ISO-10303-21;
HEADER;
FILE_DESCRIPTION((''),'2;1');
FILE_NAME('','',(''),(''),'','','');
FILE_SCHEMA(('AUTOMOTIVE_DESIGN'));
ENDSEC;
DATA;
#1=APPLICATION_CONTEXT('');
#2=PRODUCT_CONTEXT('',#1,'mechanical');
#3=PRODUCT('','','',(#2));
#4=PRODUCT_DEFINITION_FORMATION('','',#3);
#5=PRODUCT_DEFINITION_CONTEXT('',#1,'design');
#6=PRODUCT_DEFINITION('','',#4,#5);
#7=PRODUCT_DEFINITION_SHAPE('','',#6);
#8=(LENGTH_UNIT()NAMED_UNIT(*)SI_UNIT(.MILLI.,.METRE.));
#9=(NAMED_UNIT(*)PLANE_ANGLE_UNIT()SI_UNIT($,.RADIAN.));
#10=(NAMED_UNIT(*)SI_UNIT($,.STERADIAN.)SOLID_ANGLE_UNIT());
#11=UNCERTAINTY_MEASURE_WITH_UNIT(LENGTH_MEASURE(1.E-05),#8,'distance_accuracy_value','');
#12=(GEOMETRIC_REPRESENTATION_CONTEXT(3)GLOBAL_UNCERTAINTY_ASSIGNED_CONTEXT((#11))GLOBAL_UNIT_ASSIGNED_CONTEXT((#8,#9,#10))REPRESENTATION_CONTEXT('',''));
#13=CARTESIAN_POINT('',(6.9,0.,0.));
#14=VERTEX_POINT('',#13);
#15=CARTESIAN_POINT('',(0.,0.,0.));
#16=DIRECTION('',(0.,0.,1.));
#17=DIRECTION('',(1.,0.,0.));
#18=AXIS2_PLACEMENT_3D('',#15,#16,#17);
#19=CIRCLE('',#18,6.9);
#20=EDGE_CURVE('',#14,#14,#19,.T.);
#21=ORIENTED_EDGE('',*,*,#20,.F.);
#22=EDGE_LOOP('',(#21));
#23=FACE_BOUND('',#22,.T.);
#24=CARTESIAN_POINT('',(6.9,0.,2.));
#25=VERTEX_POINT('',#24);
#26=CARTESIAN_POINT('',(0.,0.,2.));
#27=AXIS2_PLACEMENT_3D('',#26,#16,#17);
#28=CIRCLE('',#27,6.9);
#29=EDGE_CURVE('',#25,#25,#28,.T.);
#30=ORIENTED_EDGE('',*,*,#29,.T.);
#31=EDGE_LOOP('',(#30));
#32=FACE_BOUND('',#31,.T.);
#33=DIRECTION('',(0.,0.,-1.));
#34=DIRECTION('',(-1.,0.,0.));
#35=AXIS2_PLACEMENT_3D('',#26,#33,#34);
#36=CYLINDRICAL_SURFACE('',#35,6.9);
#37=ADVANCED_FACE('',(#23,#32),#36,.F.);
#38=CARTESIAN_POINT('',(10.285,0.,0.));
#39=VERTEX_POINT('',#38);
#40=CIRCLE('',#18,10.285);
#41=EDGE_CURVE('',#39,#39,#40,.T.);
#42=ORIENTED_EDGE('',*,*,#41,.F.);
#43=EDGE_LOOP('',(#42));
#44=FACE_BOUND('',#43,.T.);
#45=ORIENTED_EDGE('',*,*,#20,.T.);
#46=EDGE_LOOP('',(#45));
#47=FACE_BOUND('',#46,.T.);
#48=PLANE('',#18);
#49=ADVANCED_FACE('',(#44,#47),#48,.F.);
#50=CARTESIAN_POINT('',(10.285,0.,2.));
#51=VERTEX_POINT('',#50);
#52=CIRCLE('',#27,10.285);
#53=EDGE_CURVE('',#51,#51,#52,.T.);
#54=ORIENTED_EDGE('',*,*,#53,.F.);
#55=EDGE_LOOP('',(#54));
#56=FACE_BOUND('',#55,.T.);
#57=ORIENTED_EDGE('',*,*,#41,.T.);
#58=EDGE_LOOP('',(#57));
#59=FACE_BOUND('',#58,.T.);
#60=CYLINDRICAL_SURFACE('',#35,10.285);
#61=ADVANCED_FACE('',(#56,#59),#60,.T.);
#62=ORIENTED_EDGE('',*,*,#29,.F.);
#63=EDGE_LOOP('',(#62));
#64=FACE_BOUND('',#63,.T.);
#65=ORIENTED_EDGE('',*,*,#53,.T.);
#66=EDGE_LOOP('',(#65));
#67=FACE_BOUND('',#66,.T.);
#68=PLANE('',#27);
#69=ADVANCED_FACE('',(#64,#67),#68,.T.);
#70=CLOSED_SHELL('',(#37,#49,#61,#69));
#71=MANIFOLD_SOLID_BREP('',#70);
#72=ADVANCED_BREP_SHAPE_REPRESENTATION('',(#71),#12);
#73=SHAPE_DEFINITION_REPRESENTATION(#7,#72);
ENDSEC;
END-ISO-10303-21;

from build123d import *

# Parameters (mm, degrees)
IZIM1_R                     = 10.285
IZIM1_R_2                   = 6.9
Y_KSEKLIK_EKSTR_ZYON1_DEPTH = 2


with BuildPart() as part:
    # Çizim1 → Yükseklik-Ekstrüzyon1 (new body)
    with BuildSketch(Plane.XY):
        Circle(IZIM1_R)
        Circle(IZIM1_R_2, mode=Mode.SUBTRACT)
    extrude(amount=Y_KSEKLIK_EKSTR_ZYON1_DEPTH)


solid = part.part
